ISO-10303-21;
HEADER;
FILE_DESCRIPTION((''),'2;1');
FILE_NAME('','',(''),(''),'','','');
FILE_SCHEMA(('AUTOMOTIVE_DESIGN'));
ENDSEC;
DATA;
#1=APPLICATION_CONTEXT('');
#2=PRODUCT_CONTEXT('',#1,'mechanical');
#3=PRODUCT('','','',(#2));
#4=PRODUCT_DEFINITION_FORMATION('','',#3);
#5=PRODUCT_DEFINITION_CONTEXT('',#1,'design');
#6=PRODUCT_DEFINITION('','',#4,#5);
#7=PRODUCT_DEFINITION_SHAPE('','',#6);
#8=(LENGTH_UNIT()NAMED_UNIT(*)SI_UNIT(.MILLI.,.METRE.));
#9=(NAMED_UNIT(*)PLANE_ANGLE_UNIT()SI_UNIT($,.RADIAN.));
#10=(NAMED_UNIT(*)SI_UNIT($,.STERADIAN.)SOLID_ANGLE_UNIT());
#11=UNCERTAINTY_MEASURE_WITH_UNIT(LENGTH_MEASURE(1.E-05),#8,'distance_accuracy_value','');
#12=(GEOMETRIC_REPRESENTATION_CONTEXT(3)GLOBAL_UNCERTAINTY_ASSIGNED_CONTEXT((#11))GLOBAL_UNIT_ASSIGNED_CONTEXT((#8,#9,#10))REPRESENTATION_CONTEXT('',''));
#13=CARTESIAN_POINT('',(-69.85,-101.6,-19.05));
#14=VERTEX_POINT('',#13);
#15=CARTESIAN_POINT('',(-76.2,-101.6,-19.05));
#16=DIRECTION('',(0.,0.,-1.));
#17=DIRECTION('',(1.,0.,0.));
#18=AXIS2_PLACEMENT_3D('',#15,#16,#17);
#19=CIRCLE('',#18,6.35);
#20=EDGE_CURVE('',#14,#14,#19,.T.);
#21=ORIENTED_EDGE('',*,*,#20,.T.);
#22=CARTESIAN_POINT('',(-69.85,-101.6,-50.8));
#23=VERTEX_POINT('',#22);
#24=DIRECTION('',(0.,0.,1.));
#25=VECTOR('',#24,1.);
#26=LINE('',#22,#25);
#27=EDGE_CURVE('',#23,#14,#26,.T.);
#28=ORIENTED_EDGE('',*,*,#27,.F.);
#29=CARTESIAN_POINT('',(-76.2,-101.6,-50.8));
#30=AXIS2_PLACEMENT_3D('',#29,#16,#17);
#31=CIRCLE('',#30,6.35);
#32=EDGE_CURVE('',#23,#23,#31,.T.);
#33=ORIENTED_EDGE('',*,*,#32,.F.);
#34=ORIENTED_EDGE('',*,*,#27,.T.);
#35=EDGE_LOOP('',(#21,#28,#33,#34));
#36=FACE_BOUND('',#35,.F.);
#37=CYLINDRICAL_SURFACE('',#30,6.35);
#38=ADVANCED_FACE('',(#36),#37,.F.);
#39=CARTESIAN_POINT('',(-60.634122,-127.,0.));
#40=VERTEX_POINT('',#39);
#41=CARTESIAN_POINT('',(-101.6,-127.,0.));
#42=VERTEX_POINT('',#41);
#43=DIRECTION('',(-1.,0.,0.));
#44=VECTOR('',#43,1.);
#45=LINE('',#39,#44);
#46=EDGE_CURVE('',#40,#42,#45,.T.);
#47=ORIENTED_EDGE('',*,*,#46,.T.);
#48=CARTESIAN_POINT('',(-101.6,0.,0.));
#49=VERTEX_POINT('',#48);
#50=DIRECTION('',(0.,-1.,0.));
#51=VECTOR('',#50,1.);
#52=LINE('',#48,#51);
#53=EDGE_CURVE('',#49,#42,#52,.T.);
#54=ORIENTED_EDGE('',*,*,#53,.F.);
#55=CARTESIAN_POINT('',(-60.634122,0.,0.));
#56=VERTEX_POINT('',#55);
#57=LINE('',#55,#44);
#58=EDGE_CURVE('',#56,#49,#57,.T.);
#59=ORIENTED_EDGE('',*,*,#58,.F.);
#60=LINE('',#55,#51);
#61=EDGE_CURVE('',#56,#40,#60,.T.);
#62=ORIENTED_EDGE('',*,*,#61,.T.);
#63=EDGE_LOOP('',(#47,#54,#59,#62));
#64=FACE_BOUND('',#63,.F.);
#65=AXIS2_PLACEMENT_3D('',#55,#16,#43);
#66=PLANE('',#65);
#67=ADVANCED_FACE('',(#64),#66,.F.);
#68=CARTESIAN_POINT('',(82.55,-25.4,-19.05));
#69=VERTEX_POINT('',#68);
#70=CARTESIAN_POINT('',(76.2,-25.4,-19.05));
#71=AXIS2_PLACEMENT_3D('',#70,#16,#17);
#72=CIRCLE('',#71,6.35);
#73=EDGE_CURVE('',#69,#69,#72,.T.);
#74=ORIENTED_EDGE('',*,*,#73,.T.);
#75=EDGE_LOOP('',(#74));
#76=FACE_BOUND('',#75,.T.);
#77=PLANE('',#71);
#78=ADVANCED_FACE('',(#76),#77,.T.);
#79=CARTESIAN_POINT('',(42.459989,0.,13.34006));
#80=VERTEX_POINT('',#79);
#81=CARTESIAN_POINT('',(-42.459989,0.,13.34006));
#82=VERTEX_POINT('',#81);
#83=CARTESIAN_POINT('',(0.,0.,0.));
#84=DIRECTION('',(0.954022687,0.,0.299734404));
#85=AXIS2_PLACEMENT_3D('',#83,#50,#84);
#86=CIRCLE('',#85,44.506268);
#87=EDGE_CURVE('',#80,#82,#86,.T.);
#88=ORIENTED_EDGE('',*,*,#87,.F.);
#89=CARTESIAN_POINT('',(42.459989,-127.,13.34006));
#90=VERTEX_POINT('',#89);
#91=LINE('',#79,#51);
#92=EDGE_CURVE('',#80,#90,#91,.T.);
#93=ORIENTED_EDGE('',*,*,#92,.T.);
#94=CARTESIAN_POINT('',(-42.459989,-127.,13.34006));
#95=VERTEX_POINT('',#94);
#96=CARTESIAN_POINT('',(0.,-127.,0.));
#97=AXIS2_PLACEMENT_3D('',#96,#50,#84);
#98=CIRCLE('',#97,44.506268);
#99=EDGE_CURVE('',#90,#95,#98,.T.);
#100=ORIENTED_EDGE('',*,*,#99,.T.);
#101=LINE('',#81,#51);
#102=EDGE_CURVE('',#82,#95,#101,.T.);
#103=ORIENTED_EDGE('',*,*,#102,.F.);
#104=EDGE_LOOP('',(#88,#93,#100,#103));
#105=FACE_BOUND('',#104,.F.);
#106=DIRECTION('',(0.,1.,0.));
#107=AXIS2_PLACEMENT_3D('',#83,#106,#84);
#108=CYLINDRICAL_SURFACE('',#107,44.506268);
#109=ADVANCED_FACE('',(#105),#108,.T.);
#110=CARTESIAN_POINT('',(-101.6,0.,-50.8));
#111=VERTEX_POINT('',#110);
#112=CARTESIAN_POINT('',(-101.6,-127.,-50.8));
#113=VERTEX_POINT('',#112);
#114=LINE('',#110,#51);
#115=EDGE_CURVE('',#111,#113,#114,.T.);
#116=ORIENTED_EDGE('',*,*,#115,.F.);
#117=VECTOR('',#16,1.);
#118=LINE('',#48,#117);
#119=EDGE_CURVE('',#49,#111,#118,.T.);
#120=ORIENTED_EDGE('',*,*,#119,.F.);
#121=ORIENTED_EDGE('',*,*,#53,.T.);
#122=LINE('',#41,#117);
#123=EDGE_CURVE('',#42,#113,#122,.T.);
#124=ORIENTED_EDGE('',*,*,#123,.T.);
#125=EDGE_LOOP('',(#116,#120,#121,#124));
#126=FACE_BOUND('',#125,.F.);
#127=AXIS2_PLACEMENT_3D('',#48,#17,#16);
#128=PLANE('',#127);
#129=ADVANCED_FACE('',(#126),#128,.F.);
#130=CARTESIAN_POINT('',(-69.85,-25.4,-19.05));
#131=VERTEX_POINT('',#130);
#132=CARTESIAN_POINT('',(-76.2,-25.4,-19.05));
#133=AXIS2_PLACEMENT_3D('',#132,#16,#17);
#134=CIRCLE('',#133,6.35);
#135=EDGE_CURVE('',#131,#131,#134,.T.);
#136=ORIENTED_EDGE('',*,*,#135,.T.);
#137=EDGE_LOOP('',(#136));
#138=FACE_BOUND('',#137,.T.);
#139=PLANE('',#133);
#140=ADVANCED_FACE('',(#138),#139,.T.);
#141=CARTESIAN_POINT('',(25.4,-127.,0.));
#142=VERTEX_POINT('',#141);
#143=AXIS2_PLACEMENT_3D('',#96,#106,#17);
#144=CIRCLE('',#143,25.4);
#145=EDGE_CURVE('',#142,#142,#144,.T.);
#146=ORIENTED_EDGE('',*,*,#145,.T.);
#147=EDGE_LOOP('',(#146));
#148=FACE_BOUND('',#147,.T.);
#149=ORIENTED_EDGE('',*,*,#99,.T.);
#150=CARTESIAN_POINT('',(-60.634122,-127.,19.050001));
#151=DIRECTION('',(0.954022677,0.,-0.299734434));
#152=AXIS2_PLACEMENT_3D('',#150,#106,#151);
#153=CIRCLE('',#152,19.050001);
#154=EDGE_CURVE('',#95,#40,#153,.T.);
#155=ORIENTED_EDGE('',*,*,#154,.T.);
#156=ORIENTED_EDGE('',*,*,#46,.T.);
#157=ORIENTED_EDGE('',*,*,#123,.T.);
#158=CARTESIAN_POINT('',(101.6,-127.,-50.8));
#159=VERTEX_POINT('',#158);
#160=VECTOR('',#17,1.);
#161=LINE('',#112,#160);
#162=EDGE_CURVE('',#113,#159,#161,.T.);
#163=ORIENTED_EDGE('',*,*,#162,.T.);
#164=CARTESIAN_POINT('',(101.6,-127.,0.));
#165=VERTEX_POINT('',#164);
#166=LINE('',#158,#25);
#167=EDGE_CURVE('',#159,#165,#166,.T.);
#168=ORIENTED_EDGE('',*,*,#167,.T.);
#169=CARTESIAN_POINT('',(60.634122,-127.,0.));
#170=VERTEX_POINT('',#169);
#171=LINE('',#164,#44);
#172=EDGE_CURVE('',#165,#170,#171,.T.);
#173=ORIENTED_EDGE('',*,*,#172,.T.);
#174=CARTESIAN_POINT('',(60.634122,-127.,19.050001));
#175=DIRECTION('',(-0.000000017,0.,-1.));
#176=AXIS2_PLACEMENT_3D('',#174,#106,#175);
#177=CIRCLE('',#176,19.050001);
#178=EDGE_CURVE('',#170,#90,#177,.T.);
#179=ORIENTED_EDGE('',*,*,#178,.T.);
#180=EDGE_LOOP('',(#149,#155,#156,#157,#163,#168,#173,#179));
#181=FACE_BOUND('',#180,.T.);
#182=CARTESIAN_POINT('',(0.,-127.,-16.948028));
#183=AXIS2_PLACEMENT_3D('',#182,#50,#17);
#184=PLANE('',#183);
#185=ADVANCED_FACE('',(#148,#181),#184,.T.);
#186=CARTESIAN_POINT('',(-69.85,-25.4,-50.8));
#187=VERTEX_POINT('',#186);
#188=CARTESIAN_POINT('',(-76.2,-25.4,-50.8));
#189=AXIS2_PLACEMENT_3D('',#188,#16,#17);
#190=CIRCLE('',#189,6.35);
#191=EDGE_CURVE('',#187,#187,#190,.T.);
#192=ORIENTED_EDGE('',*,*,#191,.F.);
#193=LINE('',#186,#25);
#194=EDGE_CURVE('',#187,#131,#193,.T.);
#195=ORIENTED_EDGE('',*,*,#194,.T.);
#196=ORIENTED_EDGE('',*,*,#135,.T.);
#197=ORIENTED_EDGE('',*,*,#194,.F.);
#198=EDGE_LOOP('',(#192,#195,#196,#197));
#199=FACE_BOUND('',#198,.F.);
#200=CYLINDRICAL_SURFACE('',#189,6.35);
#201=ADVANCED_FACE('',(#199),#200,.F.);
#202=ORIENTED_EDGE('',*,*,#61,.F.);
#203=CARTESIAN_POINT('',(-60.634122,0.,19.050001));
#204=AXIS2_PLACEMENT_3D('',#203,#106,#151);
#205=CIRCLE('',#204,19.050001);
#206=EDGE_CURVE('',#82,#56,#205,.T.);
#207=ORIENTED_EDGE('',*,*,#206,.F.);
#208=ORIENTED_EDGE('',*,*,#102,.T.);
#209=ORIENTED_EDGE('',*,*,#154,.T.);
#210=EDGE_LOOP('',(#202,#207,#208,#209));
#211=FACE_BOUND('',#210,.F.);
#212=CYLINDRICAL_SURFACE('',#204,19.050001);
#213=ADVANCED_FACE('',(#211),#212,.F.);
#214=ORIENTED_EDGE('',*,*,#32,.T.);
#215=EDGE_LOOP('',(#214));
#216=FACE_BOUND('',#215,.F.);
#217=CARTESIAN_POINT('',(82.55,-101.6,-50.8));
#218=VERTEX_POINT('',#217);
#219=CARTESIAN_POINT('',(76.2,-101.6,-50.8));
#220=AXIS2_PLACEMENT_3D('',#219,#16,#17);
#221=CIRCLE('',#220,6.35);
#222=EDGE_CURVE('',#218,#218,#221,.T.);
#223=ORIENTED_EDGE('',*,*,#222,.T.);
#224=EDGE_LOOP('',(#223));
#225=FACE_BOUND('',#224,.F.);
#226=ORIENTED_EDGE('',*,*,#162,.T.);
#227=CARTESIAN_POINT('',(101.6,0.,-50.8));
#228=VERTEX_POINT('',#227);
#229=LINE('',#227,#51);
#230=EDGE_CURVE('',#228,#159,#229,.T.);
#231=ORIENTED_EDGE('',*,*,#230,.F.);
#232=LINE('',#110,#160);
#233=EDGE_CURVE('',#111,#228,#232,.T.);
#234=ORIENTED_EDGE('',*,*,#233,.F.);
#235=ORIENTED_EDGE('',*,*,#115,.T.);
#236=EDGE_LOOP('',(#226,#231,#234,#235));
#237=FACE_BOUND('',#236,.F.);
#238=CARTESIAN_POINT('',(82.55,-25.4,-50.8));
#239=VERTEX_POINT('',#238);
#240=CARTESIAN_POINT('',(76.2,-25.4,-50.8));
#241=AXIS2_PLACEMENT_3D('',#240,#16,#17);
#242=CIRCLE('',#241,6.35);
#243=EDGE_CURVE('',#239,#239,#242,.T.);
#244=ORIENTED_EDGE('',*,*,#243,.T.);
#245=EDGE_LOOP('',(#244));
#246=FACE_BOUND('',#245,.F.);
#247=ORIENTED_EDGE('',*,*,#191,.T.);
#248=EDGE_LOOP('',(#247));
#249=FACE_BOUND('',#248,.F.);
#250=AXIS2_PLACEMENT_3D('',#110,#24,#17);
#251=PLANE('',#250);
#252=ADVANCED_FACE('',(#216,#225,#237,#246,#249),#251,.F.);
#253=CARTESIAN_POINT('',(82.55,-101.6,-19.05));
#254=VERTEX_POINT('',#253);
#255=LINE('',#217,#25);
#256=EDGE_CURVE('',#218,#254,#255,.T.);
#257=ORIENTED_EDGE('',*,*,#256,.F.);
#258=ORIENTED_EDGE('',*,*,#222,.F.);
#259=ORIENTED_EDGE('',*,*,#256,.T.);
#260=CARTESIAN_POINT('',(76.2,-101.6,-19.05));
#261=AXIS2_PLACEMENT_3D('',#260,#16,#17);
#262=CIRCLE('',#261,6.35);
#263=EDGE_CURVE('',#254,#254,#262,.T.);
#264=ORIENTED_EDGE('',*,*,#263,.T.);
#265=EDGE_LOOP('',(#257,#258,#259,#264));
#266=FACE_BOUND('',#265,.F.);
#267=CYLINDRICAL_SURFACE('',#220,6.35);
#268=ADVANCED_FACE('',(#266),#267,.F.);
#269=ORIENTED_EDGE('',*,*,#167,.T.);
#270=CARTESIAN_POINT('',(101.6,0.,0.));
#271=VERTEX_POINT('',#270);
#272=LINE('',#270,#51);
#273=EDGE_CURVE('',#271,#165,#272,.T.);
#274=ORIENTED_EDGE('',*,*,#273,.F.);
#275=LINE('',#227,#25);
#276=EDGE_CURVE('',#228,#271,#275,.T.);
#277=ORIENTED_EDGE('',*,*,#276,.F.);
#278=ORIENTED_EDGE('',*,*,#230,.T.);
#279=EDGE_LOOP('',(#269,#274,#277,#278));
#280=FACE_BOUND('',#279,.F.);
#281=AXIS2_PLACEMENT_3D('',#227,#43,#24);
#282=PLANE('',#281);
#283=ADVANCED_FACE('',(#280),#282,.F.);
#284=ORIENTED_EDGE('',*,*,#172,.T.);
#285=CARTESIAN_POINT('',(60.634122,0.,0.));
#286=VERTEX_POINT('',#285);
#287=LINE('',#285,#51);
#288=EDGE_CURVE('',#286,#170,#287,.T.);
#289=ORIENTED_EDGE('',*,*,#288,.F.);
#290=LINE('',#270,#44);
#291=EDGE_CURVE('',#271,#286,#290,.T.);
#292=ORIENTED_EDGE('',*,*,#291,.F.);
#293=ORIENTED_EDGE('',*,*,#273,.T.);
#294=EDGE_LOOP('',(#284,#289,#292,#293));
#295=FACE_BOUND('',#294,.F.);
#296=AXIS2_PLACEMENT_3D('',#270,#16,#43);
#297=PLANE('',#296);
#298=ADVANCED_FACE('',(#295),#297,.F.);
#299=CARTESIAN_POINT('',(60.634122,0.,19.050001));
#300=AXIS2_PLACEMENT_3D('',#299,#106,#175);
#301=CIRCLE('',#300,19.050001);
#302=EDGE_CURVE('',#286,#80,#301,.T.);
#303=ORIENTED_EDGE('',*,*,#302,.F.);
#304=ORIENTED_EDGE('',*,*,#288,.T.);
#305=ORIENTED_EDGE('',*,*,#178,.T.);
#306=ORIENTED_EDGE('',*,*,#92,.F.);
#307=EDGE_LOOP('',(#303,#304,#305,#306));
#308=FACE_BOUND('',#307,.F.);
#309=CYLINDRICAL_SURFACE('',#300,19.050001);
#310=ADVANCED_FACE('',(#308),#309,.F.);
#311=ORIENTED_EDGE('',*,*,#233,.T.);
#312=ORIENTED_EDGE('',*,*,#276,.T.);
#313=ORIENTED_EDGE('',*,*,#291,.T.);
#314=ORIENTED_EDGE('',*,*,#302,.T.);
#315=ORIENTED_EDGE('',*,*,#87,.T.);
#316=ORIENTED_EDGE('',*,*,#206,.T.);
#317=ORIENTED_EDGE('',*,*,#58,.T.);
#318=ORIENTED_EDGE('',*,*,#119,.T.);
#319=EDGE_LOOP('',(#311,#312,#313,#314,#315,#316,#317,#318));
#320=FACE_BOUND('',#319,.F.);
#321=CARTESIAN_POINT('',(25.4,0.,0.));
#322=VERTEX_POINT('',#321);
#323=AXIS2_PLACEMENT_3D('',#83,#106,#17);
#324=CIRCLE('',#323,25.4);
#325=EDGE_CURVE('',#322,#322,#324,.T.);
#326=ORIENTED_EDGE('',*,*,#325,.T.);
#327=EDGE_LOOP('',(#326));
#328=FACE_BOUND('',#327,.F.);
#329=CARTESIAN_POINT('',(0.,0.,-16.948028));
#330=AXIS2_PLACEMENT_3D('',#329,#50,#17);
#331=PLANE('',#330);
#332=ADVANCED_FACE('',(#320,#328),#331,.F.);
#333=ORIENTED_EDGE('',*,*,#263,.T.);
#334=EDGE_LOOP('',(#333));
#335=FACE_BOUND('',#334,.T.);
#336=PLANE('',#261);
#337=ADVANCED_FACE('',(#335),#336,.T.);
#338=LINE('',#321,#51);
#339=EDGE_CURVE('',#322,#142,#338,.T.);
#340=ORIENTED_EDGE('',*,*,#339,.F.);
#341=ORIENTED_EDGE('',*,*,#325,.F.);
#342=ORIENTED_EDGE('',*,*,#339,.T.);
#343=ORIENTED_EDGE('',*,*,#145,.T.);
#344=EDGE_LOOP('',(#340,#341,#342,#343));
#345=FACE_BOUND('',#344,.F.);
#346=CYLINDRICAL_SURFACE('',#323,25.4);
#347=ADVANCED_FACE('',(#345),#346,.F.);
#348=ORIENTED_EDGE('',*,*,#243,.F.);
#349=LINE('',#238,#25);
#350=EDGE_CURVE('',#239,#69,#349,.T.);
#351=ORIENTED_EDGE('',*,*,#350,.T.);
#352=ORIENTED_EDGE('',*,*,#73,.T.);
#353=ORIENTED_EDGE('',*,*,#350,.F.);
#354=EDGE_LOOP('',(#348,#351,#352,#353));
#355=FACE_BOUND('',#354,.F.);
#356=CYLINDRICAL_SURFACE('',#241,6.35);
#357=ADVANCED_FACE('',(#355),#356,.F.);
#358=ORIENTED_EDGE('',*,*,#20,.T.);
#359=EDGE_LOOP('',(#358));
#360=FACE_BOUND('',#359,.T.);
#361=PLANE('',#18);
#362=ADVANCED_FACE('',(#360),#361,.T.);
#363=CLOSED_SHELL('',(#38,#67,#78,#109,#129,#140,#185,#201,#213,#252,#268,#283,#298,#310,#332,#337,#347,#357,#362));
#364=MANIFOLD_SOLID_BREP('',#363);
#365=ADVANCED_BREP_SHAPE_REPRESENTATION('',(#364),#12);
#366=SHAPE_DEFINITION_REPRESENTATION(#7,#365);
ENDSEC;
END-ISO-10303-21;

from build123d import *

# Parameters (mm, degrees)
F1_DEPTH = 127
F2_R     = 6.35
F3_DEPTH = 31.75


with BuildPart() as f1:
    # F0 (on Front) → F1 (new body)
    with BuildSketch(Plane.XZ):
        with BuildLine():
            ThreePointArc((60.634122, 0), (49.361852, 3.692968), (42.459989, 13.34006))
            ThreePointArc((42.459989, 13.34006), (0, 44.506268), (-42.459989, 13.34006))
            ThreePointArc((-42.459989, 13.34006), (-49.361852, 3.692968), (-60.634122, 0))
            Line((-60.634122, 0), (-101.6, 0))
            Line((-101.6, 0), (-101.6, -50.8))
            Line((-101.6, -50.8), (101.6, -50.8))
            Line((101.6, -50.8), (101.6, 0))
            Line((101.6, 0), (60.634122, 0))
        make_face()
        with BuildLine():
            ThreePointArc((-25.4, 0), (0, 25.4), (25.4, 0))
            ThreePointArc((25.4, 0), (0, -25.4), (-25.4, 0))
        make_face(mode=Mode.SUBTRACT)
    extrude(amount=F1_DEPTH)

    # F2 (on face) → F3 (cut)
    with BuildSketch(Plane(origin=(0, 0, -50.8), x_dir=(1, 0, 0), z_dir=(0, 0, -1))):
        with Locations((-76.2, 101.6)):
            Circle(F2_R)
        with Locations((-76.2, 25.4)):
            Circle(F2_R)
        with Locations((76.2, 25.4)):
            Circle(F2_R)
        with Locations((76.2, 101.6)):
            Circle(F2_R)
    extrude(amount=-F3_DEPTH, mode=Mode.SUBTRACT)


solid = f1.part
